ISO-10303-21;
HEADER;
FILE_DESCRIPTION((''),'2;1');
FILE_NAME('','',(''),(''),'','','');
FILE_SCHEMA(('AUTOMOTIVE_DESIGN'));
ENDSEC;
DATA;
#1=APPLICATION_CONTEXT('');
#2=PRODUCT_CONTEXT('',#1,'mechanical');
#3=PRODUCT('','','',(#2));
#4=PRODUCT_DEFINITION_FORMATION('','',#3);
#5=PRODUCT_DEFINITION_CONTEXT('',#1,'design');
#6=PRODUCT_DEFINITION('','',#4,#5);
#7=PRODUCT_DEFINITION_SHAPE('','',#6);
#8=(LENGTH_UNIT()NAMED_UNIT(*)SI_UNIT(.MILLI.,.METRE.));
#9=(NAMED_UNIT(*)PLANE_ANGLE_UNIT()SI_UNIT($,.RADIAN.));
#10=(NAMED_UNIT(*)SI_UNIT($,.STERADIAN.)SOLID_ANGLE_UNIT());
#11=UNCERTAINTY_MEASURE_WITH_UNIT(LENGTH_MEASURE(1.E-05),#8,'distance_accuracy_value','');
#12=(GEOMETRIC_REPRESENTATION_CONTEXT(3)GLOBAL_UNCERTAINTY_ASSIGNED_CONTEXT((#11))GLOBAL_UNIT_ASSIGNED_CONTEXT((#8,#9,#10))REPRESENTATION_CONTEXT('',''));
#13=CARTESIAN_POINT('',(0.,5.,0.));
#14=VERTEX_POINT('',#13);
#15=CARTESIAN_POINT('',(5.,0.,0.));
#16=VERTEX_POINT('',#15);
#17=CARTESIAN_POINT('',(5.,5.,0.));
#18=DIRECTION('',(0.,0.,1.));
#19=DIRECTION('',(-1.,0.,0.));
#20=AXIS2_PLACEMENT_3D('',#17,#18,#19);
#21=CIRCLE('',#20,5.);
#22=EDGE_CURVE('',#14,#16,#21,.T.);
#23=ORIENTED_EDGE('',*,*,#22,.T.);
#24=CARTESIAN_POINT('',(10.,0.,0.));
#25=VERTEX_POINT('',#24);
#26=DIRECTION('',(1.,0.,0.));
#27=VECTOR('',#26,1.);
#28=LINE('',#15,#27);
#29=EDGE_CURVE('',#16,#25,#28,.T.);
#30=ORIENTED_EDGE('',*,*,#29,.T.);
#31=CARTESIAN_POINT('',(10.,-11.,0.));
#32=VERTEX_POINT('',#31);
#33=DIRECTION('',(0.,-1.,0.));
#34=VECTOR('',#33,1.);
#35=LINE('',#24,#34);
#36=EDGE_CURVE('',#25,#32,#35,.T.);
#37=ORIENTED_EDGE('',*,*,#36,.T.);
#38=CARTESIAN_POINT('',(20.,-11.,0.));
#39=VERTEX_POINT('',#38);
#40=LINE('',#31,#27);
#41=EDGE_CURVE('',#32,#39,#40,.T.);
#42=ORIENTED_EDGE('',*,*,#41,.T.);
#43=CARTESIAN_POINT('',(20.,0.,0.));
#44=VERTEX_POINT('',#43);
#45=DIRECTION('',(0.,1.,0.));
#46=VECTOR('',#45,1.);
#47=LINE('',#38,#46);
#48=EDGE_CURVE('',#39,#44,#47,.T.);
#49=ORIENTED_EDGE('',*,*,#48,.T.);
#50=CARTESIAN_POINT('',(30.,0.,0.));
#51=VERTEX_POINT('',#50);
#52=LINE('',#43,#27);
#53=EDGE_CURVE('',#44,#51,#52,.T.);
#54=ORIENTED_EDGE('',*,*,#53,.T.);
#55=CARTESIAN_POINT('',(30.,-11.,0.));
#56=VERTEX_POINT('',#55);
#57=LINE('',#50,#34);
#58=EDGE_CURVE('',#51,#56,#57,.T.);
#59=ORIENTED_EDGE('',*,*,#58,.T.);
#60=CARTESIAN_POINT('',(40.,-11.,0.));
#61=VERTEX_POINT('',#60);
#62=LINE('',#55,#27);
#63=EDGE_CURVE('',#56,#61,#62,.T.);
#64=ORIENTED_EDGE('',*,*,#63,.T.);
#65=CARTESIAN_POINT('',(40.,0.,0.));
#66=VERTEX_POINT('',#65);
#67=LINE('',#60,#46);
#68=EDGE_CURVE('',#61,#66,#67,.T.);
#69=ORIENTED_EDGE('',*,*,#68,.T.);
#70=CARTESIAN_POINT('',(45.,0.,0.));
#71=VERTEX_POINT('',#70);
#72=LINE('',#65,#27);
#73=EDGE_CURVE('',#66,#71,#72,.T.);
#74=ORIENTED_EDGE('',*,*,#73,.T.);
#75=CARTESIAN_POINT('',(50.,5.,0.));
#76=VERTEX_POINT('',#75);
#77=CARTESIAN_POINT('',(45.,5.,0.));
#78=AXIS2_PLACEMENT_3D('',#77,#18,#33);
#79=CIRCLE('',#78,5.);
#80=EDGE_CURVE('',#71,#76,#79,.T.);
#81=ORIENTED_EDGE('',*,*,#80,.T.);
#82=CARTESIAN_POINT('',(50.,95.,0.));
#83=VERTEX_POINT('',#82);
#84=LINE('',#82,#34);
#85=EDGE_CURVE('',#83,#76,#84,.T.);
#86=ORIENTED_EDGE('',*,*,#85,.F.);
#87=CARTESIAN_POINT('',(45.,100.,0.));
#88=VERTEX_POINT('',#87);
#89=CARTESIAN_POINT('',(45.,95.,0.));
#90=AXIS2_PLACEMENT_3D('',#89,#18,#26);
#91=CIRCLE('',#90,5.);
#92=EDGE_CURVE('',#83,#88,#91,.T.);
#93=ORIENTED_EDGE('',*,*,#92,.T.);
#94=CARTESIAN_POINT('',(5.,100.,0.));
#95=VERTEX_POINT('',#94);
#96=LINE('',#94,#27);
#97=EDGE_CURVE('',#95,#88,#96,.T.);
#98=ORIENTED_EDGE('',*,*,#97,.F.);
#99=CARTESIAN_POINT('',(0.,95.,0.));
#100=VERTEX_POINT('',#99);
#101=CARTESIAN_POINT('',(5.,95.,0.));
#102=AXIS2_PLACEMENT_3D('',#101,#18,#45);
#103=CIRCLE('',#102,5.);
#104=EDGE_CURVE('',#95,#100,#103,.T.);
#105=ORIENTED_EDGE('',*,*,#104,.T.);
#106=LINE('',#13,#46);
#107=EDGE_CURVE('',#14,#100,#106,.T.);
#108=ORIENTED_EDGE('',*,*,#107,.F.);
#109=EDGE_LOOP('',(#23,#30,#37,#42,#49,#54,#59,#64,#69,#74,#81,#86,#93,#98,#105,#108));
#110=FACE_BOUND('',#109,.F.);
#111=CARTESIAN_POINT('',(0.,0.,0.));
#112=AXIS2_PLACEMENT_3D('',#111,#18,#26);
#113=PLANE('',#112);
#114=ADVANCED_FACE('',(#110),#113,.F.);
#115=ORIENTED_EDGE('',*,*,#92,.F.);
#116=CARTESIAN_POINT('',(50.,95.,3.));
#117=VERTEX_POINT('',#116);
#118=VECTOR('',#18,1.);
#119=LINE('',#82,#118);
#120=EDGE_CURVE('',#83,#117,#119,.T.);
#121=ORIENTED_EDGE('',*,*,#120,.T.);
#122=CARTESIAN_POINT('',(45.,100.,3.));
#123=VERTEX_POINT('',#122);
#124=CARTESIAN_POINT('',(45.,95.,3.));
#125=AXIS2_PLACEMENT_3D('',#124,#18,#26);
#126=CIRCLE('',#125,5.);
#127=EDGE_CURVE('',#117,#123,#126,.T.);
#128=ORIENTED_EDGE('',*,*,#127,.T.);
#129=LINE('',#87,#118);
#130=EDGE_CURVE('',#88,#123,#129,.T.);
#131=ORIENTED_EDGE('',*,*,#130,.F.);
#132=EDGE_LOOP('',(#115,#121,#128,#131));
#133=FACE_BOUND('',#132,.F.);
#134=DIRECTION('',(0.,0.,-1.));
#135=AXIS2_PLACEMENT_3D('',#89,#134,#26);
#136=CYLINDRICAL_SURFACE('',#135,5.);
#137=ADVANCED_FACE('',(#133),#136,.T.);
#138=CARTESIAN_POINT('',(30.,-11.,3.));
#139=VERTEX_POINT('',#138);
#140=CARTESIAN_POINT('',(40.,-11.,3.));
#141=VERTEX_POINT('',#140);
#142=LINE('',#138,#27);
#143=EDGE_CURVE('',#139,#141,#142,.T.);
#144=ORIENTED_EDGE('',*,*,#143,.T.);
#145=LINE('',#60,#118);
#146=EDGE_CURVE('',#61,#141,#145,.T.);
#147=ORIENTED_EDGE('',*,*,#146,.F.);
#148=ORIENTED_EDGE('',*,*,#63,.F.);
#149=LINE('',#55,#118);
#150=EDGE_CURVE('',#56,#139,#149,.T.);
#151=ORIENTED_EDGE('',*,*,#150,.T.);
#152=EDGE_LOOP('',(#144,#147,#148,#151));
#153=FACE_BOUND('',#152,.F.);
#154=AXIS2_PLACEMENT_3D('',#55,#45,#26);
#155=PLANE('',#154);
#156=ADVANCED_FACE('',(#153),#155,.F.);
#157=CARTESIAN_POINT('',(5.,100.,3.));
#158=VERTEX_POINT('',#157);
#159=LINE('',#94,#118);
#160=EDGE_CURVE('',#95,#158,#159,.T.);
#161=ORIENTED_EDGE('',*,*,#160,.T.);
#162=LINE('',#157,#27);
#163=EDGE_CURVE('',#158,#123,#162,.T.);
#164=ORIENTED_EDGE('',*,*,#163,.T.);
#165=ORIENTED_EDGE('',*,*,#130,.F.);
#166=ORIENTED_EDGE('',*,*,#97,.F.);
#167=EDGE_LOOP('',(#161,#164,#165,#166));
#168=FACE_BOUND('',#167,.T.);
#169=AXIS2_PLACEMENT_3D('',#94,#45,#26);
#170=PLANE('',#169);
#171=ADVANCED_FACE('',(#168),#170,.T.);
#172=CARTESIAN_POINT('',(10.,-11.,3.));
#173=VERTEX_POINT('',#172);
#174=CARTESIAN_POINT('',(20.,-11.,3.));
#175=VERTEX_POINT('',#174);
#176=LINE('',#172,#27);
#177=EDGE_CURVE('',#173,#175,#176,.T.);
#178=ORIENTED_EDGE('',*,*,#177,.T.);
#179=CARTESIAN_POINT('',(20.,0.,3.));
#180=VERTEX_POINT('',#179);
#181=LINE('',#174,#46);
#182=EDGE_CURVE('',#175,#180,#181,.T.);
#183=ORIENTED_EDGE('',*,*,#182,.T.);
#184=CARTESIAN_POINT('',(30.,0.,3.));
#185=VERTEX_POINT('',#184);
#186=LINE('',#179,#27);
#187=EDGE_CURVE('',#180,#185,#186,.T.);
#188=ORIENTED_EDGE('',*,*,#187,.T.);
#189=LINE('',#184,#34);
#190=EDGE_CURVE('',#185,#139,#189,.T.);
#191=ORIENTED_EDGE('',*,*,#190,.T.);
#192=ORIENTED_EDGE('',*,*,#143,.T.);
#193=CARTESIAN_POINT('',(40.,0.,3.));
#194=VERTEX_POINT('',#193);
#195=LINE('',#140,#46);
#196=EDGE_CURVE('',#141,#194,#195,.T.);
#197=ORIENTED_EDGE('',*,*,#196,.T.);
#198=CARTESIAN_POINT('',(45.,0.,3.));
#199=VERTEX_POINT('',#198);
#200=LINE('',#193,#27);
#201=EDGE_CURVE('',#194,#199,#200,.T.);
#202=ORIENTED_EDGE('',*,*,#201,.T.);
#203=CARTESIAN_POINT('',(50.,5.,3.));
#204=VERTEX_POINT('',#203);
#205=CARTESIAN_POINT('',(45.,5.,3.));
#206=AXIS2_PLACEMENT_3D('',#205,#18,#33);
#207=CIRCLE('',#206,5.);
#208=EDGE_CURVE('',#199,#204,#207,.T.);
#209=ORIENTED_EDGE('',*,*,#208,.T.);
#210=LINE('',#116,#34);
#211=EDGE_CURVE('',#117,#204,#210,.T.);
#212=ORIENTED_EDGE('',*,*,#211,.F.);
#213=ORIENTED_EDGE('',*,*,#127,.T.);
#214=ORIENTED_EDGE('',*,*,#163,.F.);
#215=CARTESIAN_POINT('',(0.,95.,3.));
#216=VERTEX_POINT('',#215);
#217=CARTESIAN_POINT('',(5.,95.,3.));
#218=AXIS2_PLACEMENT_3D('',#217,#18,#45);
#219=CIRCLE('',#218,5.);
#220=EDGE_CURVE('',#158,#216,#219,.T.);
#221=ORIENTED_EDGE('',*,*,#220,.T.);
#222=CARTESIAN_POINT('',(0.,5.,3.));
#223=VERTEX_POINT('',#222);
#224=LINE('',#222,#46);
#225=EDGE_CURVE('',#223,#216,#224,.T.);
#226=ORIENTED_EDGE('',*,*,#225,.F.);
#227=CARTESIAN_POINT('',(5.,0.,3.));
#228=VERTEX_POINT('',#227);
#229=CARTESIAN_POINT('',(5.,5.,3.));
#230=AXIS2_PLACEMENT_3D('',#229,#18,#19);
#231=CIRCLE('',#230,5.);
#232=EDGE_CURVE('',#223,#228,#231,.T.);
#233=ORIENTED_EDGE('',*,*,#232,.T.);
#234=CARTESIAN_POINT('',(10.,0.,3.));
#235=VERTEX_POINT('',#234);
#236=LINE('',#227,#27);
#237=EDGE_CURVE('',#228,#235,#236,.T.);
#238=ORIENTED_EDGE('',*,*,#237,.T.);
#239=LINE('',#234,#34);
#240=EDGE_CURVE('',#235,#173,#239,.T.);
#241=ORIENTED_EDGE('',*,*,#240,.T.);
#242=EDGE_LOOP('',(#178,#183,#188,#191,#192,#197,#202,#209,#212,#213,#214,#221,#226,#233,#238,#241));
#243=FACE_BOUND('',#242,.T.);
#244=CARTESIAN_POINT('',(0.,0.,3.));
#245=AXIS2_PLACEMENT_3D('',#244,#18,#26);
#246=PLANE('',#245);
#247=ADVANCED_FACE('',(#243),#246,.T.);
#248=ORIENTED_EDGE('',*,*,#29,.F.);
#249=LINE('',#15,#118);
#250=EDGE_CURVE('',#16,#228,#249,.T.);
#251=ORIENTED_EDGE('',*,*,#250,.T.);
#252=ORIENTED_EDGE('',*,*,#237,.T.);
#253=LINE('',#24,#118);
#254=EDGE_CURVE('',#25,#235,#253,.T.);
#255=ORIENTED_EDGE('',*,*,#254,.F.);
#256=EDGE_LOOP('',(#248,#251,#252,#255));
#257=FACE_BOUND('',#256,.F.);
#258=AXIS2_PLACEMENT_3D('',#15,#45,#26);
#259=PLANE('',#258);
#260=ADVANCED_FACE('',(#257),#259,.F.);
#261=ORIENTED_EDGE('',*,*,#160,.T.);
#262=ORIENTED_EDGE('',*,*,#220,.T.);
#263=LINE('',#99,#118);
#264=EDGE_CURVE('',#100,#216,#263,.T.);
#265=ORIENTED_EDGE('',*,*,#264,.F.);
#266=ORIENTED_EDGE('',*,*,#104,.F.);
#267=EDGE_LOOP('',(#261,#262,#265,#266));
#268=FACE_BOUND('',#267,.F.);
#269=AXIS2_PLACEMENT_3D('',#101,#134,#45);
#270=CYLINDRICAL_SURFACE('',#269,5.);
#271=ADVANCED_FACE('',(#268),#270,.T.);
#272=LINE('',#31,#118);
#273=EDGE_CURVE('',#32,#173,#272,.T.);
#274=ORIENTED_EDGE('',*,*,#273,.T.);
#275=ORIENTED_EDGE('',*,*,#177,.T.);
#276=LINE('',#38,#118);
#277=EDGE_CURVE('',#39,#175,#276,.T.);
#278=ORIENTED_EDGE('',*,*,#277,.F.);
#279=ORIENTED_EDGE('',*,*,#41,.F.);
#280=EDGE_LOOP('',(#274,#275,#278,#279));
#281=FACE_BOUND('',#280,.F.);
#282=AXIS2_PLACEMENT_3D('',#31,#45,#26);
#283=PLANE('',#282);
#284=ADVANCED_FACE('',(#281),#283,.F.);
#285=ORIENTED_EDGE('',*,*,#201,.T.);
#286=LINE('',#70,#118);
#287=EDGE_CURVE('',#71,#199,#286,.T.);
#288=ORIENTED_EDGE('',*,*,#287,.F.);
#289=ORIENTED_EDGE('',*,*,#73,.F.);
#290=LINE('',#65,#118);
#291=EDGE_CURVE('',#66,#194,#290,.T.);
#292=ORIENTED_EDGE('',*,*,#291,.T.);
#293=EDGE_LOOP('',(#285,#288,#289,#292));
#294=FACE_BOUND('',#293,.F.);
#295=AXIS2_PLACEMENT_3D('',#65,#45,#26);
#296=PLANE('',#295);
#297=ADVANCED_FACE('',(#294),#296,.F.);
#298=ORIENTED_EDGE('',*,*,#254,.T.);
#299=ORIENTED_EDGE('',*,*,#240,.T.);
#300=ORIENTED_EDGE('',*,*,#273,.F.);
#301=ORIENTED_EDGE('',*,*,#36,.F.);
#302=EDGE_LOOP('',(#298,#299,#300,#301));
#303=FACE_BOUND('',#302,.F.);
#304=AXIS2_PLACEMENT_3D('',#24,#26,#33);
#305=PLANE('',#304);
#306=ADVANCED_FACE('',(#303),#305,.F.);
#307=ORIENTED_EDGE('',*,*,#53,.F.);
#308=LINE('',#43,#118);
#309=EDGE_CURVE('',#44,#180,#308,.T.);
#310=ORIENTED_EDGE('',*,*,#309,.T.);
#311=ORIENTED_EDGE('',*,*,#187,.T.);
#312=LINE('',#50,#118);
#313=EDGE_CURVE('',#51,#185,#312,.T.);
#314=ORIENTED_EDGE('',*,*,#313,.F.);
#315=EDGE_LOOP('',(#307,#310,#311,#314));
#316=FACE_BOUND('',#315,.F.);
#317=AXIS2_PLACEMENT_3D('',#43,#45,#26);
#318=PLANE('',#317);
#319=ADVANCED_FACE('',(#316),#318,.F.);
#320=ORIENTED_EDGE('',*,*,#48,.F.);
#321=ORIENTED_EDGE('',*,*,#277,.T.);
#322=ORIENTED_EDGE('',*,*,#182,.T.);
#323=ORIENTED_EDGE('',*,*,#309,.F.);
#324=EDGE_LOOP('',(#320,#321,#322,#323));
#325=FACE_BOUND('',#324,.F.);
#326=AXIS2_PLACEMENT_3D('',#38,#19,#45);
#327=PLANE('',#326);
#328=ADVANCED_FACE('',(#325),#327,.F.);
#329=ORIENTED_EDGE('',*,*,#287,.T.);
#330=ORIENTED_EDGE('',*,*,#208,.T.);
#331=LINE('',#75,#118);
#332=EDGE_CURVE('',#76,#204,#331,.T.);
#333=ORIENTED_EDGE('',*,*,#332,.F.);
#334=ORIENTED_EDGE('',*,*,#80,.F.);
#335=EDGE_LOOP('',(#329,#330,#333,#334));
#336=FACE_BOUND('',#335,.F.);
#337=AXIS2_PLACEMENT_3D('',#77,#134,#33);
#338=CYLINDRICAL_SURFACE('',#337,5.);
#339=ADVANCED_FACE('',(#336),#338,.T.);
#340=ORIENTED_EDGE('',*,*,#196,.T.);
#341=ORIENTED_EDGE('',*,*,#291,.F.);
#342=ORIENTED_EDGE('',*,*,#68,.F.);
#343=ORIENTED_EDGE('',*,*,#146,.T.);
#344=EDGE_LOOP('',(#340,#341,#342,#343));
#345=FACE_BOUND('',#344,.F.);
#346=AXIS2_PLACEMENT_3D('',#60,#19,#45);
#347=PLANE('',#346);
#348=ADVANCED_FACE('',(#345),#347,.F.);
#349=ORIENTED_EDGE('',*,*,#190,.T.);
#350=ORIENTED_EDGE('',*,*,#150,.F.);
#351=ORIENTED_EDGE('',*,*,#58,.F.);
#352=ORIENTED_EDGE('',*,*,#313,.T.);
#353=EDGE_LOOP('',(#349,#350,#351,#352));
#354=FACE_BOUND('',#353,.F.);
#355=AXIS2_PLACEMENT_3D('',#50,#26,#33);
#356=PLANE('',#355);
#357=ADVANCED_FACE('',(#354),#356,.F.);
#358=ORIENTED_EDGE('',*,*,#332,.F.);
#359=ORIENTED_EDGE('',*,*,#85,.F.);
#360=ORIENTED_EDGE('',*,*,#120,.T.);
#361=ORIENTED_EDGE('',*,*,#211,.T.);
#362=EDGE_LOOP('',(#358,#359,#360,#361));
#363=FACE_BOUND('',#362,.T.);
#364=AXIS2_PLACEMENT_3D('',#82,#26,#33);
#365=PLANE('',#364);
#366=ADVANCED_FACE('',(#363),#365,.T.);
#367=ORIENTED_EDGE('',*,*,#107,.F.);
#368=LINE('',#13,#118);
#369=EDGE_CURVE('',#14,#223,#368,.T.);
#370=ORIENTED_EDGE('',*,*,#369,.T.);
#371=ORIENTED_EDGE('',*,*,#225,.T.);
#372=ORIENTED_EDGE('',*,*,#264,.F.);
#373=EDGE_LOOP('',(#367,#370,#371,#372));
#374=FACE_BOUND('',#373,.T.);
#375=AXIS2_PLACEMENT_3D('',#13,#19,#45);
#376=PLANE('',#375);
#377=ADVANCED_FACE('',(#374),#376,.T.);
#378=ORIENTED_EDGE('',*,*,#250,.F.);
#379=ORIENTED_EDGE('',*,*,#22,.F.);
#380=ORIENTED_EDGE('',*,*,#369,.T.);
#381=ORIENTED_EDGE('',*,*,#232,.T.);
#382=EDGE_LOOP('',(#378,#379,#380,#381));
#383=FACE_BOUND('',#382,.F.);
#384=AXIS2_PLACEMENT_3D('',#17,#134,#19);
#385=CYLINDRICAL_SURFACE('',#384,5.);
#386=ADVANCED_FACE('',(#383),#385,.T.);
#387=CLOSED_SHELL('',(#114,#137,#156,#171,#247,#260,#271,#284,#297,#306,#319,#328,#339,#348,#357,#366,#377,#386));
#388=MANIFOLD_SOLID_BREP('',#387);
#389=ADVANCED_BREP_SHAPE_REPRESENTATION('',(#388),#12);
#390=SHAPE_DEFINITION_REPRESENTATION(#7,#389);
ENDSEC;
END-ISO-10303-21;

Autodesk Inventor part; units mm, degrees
ref_plane "YZ Plane" through (0, 0, 0) normal (1, 0, 0) x (0, 1, 0)
ref_plane "XZ Plane" through (0, 0, 0) normal (0, 1, 0) x (-1, 0, 0)
ref_plane "XY Plane" through (0, 0, 0) normal (0, 0, 1) x (1, 0, 0)
sketch "Skizze1" plane through (0, 0, 0) normal (0, 0, 1) x (1, 0, 0)
  line L0 (0, 5) -> (0, 95)
  line L1 (5, 100) -> (45, 100)
  line L2 (50, 95) -> (50, 5)
  arc A0 (5, 100) -> (0, 95) centre (5, 95) ccw
  arc A1 (50, 95) -> (45, 100) centre (45, 95) ccw
  arc A2 (45, 0) -> (50, 5) centre (45, 5) ccw
  arc A3 (0, 5) -> (5, 0) centre (5, 5) ccw
  line L3 (10, 0) -> (10, -11)
  line L4 (10, -11) -> (20, -11)
  line L5 (20, -11) -> (20, 0)
  line L6 (30, 0) -> (30, -11)
  line L7 (30, -11) -> (40, -11)
  line L8 (40, -11) -> (40, 0)
  line L9 (5, 0) -> (10, 0)
  line L10 (20, 0) -> (30, 0)
  line L11 (40, 0) -> (45, 0)
  point P0 (0, 0)
  dimension "d1" = 50
  dimension "d3" = 5
  dimension "d4" = 11
  dimension "d5" = 10
  dimension "d6" = 100
extrude "Extrusion1" add sketch "Skizze1" along normal blind 3
properties part number "Scheibe" material "Glas"
